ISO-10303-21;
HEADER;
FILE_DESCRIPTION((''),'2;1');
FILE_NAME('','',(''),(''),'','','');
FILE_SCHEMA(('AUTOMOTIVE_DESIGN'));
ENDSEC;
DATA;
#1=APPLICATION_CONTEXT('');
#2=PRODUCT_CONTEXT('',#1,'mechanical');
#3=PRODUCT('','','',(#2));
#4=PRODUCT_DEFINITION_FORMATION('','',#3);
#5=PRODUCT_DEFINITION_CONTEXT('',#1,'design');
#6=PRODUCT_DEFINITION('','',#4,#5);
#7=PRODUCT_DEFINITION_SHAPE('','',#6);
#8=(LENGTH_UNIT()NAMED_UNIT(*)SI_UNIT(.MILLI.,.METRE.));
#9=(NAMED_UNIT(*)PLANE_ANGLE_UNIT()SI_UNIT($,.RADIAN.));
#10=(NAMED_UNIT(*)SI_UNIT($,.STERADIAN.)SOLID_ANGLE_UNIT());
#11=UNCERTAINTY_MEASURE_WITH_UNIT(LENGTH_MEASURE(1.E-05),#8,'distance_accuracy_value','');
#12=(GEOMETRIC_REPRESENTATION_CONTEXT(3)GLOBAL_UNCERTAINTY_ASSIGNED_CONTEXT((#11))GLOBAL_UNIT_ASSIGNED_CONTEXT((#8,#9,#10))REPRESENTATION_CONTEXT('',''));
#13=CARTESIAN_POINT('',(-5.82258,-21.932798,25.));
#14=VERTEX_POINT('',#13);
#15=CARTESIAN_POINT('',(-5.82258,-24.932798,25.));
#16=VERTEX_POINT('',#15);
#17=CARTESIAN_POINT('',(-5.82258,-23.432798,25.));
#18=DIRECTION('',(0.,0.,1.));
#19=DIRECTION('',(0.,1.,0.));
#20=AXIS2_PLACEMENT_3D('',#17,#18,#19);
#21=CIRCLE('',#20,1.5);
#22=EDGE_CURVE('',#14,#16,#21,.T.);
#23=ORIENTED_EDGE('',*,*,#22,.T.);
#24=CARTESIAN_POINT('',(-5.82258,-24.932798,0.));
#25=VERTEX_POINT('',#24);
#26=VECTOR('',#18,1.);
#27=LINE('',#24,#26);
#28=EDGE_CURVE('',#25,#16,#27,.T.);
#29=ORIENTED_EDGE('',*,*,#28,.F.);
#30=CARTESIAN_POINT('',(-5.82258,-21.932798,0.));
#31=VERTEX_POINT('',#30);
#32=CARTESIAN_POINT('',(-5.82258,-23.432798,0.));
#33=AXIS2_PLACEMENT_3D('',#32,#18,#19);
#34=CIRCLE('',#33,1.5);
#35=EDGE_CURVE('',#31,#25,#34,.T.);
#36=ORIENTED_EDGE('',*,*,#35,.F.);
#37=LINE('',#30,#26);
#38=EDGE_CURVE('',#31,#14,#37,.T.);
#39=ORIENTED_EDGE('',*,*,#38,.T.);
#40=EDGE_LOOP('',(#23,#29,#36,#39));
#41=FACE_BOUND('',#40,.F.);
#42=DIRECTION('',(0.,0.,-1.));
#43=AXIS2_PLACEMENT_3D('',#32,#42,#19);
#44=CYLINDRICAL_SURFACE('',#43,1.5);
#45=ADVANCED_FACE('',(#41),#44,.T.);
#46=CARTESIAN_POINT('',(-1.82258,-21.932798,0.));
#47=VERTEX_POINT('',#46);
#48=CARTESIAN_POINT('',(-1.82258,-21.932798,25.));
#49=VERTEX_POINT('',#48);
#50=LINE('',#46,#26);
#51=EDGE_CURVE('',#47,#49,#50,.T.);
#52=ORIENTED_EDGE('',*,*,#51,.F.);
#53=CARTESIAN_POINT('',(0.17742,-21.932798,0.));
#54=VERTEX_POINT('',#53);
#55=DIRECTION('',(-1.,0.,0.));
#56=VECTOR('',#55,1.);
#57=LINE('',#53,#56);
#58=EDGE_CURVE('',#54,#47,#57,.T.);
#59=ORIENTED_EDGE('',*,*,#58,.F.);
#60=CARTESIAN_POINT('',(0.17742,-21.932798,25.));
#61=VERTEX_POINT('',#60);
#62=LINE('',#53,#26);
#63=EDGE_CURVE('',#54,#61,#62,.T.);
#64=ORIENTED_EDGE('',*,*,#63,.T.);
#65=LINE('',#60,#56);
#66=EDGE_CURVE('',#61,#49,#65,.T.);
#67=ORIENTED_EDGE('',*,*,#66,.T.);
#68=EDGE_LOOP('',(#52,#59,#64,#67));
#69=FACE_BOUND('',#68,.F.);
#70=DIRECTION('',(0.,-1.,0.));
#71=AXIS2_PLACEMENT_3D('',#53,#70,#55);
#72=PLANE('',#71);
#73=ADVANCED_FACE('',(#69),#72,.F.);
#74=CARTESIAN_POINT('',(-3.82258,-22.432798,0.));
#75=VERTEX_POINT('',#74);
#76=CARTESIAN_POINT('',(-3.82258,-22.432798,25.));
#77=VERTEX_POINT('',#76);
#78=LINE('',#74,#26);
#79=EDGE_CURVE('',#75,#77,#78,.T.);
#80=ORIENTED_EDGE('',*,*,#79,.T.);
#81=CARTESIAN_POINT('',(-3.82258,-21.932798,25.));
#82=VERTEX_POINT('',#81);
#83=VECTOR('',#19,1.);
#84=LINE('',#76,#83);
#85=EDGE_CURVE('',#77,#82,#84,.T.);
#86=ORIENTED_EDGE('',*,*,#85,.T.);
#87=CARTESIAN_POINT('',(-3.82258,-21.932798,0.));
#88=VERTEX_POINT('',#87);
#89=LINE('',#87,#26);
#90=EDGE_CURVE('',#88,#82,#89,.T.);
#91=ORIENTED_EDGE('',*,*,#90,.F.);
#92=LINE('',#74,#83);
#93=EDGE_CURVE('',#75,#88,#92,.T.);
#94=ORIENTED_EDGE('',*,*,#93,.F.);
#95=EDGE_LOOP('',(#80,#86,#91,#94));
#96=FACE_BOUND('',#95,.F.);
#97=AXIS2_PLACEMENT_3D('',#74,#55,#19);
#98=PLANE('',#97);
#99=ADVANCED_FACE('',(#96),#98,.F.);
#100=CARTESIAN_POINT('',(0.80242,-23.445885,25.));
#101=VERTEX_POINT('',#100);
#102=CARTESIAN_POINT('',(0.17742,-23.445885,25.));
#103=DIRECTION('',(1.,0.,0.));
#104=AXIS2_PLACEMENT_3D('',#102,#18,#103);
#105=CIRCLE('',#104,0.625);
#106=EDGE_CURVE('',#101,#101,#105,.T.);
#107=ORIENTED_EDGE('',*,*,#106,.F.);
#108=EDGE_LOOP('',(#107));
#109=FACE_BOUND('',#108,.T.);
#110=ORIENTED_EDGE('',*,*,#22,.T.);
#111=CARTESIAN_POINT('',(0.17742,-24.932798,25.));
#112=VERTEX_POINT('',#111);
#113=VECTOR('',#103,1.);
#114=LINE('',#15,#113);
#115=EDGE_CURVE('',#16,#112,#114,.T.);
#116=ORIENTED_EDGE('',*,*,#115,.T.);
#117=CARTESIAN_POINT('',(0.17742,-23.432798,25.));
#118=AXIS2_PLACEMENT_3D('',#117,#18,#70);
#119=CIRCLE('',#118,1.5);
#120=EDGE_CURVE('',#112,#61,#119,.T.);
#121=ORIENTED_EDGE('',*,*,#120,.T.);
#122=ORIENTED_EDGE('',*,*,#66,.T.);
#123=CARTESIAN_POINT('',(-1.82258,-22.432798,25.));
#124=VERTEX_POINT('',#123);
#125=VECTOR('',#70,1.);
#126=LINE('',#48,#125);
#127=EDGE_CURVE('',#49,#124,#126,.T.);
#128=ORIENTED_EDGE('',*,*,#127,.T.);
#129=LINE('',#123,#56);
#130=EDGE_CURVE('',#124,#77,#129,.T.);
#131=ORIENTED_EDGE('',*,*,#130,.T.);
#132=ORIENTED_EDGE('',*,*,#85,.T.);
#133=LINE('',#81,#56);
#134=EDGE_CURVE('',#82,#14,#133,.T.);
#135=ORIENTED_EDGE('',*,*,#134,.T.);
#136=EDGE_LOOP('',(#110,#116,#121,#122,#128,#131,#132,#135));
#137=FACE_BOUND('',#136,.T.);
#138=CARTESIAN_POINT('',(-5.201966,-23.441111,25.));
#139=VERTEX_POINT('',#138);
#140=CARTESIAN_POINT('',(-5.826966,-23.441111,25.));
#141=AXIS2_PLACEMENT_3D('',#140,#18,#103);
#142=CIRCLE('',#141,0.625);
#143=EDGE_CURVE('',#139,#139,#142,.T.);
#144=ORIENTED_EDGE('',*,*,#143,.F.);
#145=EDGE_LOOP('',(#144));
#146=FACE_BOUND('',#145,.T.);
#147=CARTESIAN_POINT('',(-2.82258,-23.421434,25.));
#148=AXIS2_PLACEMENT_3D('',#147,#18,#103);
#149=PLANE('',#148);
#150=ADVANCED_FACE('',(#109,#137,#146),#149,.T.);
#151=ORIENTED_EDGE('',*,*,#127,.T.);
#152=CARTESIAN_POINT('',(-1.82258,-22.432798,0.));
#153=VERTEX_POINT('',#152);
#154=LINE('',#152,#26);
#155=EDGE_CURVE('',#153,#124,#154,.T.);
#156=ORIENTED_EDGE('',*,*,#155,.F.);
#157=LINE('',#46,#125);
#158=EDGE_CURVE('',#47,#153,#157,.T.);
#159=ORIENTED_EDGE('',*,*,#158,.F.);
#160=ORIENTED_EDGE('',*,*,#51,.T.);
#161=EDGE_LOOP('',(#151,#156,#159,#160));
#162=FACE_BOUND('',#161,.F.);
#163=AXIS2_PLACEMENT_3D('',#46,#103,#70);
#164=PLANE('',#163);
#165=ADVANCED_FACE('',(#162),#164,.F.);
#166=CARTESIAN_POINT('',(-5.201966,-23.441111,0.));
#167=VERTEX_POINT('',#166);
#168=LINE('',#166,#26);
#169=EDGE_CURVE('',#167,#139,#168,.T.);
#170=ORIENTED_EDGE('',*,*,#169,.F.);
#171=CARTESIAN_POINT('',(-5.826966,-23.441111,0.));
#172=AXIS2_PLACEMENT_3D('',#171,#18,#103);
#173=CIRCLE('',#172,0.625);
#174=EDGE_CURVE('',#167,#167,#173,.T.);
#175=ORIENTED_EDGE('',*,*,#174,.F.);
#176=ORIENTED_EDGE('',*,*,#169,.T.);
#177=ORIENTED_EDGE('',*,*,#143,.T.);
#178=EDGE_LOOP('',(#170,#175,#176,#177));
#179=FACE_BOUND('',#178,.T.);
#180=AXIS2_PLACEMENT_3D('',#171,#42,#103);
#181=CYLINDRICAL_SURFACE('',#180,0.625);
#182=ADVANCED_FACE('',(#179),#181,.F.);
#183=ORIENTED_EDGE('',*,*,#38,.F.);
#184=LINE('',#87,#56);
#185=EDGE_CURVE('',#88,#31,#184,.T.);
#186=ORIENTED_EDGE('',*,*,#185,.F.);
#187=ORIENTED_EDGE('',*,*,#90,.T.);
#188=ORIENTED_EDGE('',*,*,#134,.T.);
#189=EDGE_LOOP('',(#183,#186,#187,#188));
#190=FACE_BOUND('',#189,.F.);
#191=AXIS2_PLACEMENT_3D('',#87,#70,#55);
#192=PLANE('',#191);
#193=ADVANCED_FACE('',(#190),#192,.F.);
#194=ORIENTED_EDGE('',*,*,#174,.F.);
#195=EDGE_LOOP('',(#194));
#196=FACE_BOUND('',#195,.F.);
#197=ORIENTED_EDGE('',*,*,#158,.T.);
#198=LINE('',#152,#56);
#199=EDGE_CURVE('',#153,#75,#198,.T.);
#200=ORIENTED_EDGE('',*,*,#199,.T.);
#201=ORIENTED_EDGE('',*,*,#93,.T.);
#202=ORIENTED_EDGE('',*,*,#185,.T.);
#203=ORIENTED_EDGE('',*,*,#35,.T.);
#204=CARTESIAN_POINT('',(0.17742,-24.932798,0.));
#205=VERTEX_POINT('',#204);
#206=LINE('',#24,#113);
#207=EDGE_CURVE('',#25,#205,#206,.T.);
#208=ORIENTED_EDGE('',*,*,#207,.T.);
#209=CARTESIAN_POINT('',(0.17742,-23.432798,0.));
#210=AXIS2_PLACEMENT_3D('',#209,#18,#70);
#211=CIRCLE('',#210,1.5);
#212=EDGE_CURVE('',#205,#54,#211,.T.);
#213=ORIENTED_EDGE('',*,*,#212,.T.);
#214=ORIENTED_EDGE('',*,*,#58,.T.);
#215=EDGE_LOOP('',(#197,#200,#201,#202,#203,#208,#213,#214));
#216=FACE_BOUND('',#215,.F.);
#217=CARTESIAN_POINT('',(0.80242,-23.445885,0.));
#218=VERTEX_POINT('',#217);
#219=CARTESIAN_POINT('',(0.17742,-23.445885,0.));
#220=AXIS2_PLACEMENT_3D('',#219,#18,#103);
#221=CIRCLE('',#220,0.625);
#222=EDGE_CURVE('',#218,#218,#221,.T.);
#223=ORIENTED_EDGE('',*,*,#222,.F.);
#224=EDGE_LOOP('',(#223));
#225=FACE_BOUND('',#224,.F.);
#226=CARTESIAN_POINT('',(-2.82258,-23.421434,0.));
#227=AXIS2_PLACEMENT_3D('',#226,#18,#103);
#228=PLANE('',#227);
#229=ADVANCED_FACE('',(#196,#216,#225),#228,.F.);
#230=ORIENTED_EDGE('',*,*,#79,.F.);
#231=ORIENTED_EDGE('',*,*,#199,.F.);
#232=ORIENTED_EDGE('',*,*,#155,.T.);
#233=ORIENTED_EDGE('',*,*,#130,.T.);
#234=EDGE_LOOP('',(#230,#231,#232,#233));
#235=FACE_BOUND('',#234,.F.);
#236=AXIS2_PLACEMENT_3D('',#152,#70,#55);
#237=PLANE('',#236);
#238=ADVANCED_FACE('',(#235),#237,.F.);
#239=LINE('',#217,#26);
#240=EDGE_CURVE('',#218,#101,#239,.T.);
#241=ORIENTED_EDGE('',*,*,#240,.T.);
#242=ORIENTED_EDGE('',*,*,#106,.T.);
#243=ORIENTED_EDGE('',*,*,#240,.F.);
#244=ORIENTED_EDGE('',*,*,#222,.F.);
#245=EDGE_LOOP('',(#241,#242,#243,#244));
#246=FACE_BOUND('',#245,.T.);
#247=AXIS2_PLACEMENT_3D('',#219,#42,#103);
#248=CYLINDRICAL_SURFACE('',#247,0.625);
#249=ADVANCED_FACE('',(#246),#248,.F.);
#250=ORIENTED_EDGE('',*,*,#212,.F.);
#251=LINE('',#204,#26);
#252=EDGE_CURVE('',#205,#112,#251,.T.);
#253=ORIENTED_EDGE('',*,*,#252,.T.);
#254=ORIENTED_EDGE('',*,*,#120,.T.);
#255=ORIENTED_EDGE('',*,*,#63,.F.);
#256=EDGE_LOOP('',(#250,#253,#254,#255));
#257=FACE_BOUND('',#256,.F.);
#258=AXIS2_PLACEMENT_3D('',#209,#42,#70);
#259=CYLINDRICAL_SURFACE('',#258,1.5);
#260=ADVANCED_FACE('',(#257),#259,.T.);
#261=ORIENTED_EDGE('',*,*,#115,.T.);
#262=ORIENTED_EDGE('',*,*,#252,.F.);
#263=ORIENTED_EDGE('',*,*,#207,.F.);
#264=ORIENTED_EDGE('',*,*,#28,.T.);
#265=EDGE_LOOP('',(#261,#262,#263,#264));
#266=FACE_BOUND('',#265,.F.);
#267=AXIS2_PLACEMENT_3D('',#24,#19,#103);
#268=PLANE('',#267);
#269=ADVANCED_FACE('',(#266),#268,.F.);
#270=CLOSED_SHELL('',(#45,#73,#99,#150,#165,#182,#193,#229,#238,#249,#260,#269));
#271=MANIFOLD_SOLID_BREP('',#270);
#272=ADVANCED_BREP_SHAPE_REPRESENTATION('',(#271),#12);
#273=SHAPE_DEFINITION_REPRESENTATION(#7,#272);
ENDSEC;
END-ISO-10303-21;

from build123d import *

# Parameters (mm, degrees)
F0_R     = 0.625
F1_DEPTH = 25


with BuildPart() as f1:
    # F0 (on Top) → F1 (new body)
    with BuildSketch(Plane.XY):
        with BuildLine():
            ThreePointArc((-5.82258, -21.932798), (-7.32258, -23.432798), (-5.82258, -24.932798))
            Line((-5.82258, -24.932798), (0.17742, -24.932798))
            ThreePointArc((0.17742, -24.932798), (1.67742, -23.432798), (0.17742, -21.932798))
            Line((0.17742, -21.932798), (-1.82258, -21.932798))
            Line((-1.82258, -21.932798), (-1.82258, -22.432798))
            Line((-1.82258, -22.432798), (-3.82258, -22.432798))
            Line((-3.82258, -22.432798), (-3.82258, -21.932798))
            Line((-3.82258, -21.932798), (-5.82258, -21.932798))
        make_face()
        with Locations((-5.826966, -23.441111)):
            Circle(F0_R, mode=Mode.SUBTRACT)
        with Locations((0.17742, -23.445885)):
            Circle(F0_R, mode=Mode.SUBTRACT)
    extrude(amount=F1_DEPTH)


solid = f1.part
